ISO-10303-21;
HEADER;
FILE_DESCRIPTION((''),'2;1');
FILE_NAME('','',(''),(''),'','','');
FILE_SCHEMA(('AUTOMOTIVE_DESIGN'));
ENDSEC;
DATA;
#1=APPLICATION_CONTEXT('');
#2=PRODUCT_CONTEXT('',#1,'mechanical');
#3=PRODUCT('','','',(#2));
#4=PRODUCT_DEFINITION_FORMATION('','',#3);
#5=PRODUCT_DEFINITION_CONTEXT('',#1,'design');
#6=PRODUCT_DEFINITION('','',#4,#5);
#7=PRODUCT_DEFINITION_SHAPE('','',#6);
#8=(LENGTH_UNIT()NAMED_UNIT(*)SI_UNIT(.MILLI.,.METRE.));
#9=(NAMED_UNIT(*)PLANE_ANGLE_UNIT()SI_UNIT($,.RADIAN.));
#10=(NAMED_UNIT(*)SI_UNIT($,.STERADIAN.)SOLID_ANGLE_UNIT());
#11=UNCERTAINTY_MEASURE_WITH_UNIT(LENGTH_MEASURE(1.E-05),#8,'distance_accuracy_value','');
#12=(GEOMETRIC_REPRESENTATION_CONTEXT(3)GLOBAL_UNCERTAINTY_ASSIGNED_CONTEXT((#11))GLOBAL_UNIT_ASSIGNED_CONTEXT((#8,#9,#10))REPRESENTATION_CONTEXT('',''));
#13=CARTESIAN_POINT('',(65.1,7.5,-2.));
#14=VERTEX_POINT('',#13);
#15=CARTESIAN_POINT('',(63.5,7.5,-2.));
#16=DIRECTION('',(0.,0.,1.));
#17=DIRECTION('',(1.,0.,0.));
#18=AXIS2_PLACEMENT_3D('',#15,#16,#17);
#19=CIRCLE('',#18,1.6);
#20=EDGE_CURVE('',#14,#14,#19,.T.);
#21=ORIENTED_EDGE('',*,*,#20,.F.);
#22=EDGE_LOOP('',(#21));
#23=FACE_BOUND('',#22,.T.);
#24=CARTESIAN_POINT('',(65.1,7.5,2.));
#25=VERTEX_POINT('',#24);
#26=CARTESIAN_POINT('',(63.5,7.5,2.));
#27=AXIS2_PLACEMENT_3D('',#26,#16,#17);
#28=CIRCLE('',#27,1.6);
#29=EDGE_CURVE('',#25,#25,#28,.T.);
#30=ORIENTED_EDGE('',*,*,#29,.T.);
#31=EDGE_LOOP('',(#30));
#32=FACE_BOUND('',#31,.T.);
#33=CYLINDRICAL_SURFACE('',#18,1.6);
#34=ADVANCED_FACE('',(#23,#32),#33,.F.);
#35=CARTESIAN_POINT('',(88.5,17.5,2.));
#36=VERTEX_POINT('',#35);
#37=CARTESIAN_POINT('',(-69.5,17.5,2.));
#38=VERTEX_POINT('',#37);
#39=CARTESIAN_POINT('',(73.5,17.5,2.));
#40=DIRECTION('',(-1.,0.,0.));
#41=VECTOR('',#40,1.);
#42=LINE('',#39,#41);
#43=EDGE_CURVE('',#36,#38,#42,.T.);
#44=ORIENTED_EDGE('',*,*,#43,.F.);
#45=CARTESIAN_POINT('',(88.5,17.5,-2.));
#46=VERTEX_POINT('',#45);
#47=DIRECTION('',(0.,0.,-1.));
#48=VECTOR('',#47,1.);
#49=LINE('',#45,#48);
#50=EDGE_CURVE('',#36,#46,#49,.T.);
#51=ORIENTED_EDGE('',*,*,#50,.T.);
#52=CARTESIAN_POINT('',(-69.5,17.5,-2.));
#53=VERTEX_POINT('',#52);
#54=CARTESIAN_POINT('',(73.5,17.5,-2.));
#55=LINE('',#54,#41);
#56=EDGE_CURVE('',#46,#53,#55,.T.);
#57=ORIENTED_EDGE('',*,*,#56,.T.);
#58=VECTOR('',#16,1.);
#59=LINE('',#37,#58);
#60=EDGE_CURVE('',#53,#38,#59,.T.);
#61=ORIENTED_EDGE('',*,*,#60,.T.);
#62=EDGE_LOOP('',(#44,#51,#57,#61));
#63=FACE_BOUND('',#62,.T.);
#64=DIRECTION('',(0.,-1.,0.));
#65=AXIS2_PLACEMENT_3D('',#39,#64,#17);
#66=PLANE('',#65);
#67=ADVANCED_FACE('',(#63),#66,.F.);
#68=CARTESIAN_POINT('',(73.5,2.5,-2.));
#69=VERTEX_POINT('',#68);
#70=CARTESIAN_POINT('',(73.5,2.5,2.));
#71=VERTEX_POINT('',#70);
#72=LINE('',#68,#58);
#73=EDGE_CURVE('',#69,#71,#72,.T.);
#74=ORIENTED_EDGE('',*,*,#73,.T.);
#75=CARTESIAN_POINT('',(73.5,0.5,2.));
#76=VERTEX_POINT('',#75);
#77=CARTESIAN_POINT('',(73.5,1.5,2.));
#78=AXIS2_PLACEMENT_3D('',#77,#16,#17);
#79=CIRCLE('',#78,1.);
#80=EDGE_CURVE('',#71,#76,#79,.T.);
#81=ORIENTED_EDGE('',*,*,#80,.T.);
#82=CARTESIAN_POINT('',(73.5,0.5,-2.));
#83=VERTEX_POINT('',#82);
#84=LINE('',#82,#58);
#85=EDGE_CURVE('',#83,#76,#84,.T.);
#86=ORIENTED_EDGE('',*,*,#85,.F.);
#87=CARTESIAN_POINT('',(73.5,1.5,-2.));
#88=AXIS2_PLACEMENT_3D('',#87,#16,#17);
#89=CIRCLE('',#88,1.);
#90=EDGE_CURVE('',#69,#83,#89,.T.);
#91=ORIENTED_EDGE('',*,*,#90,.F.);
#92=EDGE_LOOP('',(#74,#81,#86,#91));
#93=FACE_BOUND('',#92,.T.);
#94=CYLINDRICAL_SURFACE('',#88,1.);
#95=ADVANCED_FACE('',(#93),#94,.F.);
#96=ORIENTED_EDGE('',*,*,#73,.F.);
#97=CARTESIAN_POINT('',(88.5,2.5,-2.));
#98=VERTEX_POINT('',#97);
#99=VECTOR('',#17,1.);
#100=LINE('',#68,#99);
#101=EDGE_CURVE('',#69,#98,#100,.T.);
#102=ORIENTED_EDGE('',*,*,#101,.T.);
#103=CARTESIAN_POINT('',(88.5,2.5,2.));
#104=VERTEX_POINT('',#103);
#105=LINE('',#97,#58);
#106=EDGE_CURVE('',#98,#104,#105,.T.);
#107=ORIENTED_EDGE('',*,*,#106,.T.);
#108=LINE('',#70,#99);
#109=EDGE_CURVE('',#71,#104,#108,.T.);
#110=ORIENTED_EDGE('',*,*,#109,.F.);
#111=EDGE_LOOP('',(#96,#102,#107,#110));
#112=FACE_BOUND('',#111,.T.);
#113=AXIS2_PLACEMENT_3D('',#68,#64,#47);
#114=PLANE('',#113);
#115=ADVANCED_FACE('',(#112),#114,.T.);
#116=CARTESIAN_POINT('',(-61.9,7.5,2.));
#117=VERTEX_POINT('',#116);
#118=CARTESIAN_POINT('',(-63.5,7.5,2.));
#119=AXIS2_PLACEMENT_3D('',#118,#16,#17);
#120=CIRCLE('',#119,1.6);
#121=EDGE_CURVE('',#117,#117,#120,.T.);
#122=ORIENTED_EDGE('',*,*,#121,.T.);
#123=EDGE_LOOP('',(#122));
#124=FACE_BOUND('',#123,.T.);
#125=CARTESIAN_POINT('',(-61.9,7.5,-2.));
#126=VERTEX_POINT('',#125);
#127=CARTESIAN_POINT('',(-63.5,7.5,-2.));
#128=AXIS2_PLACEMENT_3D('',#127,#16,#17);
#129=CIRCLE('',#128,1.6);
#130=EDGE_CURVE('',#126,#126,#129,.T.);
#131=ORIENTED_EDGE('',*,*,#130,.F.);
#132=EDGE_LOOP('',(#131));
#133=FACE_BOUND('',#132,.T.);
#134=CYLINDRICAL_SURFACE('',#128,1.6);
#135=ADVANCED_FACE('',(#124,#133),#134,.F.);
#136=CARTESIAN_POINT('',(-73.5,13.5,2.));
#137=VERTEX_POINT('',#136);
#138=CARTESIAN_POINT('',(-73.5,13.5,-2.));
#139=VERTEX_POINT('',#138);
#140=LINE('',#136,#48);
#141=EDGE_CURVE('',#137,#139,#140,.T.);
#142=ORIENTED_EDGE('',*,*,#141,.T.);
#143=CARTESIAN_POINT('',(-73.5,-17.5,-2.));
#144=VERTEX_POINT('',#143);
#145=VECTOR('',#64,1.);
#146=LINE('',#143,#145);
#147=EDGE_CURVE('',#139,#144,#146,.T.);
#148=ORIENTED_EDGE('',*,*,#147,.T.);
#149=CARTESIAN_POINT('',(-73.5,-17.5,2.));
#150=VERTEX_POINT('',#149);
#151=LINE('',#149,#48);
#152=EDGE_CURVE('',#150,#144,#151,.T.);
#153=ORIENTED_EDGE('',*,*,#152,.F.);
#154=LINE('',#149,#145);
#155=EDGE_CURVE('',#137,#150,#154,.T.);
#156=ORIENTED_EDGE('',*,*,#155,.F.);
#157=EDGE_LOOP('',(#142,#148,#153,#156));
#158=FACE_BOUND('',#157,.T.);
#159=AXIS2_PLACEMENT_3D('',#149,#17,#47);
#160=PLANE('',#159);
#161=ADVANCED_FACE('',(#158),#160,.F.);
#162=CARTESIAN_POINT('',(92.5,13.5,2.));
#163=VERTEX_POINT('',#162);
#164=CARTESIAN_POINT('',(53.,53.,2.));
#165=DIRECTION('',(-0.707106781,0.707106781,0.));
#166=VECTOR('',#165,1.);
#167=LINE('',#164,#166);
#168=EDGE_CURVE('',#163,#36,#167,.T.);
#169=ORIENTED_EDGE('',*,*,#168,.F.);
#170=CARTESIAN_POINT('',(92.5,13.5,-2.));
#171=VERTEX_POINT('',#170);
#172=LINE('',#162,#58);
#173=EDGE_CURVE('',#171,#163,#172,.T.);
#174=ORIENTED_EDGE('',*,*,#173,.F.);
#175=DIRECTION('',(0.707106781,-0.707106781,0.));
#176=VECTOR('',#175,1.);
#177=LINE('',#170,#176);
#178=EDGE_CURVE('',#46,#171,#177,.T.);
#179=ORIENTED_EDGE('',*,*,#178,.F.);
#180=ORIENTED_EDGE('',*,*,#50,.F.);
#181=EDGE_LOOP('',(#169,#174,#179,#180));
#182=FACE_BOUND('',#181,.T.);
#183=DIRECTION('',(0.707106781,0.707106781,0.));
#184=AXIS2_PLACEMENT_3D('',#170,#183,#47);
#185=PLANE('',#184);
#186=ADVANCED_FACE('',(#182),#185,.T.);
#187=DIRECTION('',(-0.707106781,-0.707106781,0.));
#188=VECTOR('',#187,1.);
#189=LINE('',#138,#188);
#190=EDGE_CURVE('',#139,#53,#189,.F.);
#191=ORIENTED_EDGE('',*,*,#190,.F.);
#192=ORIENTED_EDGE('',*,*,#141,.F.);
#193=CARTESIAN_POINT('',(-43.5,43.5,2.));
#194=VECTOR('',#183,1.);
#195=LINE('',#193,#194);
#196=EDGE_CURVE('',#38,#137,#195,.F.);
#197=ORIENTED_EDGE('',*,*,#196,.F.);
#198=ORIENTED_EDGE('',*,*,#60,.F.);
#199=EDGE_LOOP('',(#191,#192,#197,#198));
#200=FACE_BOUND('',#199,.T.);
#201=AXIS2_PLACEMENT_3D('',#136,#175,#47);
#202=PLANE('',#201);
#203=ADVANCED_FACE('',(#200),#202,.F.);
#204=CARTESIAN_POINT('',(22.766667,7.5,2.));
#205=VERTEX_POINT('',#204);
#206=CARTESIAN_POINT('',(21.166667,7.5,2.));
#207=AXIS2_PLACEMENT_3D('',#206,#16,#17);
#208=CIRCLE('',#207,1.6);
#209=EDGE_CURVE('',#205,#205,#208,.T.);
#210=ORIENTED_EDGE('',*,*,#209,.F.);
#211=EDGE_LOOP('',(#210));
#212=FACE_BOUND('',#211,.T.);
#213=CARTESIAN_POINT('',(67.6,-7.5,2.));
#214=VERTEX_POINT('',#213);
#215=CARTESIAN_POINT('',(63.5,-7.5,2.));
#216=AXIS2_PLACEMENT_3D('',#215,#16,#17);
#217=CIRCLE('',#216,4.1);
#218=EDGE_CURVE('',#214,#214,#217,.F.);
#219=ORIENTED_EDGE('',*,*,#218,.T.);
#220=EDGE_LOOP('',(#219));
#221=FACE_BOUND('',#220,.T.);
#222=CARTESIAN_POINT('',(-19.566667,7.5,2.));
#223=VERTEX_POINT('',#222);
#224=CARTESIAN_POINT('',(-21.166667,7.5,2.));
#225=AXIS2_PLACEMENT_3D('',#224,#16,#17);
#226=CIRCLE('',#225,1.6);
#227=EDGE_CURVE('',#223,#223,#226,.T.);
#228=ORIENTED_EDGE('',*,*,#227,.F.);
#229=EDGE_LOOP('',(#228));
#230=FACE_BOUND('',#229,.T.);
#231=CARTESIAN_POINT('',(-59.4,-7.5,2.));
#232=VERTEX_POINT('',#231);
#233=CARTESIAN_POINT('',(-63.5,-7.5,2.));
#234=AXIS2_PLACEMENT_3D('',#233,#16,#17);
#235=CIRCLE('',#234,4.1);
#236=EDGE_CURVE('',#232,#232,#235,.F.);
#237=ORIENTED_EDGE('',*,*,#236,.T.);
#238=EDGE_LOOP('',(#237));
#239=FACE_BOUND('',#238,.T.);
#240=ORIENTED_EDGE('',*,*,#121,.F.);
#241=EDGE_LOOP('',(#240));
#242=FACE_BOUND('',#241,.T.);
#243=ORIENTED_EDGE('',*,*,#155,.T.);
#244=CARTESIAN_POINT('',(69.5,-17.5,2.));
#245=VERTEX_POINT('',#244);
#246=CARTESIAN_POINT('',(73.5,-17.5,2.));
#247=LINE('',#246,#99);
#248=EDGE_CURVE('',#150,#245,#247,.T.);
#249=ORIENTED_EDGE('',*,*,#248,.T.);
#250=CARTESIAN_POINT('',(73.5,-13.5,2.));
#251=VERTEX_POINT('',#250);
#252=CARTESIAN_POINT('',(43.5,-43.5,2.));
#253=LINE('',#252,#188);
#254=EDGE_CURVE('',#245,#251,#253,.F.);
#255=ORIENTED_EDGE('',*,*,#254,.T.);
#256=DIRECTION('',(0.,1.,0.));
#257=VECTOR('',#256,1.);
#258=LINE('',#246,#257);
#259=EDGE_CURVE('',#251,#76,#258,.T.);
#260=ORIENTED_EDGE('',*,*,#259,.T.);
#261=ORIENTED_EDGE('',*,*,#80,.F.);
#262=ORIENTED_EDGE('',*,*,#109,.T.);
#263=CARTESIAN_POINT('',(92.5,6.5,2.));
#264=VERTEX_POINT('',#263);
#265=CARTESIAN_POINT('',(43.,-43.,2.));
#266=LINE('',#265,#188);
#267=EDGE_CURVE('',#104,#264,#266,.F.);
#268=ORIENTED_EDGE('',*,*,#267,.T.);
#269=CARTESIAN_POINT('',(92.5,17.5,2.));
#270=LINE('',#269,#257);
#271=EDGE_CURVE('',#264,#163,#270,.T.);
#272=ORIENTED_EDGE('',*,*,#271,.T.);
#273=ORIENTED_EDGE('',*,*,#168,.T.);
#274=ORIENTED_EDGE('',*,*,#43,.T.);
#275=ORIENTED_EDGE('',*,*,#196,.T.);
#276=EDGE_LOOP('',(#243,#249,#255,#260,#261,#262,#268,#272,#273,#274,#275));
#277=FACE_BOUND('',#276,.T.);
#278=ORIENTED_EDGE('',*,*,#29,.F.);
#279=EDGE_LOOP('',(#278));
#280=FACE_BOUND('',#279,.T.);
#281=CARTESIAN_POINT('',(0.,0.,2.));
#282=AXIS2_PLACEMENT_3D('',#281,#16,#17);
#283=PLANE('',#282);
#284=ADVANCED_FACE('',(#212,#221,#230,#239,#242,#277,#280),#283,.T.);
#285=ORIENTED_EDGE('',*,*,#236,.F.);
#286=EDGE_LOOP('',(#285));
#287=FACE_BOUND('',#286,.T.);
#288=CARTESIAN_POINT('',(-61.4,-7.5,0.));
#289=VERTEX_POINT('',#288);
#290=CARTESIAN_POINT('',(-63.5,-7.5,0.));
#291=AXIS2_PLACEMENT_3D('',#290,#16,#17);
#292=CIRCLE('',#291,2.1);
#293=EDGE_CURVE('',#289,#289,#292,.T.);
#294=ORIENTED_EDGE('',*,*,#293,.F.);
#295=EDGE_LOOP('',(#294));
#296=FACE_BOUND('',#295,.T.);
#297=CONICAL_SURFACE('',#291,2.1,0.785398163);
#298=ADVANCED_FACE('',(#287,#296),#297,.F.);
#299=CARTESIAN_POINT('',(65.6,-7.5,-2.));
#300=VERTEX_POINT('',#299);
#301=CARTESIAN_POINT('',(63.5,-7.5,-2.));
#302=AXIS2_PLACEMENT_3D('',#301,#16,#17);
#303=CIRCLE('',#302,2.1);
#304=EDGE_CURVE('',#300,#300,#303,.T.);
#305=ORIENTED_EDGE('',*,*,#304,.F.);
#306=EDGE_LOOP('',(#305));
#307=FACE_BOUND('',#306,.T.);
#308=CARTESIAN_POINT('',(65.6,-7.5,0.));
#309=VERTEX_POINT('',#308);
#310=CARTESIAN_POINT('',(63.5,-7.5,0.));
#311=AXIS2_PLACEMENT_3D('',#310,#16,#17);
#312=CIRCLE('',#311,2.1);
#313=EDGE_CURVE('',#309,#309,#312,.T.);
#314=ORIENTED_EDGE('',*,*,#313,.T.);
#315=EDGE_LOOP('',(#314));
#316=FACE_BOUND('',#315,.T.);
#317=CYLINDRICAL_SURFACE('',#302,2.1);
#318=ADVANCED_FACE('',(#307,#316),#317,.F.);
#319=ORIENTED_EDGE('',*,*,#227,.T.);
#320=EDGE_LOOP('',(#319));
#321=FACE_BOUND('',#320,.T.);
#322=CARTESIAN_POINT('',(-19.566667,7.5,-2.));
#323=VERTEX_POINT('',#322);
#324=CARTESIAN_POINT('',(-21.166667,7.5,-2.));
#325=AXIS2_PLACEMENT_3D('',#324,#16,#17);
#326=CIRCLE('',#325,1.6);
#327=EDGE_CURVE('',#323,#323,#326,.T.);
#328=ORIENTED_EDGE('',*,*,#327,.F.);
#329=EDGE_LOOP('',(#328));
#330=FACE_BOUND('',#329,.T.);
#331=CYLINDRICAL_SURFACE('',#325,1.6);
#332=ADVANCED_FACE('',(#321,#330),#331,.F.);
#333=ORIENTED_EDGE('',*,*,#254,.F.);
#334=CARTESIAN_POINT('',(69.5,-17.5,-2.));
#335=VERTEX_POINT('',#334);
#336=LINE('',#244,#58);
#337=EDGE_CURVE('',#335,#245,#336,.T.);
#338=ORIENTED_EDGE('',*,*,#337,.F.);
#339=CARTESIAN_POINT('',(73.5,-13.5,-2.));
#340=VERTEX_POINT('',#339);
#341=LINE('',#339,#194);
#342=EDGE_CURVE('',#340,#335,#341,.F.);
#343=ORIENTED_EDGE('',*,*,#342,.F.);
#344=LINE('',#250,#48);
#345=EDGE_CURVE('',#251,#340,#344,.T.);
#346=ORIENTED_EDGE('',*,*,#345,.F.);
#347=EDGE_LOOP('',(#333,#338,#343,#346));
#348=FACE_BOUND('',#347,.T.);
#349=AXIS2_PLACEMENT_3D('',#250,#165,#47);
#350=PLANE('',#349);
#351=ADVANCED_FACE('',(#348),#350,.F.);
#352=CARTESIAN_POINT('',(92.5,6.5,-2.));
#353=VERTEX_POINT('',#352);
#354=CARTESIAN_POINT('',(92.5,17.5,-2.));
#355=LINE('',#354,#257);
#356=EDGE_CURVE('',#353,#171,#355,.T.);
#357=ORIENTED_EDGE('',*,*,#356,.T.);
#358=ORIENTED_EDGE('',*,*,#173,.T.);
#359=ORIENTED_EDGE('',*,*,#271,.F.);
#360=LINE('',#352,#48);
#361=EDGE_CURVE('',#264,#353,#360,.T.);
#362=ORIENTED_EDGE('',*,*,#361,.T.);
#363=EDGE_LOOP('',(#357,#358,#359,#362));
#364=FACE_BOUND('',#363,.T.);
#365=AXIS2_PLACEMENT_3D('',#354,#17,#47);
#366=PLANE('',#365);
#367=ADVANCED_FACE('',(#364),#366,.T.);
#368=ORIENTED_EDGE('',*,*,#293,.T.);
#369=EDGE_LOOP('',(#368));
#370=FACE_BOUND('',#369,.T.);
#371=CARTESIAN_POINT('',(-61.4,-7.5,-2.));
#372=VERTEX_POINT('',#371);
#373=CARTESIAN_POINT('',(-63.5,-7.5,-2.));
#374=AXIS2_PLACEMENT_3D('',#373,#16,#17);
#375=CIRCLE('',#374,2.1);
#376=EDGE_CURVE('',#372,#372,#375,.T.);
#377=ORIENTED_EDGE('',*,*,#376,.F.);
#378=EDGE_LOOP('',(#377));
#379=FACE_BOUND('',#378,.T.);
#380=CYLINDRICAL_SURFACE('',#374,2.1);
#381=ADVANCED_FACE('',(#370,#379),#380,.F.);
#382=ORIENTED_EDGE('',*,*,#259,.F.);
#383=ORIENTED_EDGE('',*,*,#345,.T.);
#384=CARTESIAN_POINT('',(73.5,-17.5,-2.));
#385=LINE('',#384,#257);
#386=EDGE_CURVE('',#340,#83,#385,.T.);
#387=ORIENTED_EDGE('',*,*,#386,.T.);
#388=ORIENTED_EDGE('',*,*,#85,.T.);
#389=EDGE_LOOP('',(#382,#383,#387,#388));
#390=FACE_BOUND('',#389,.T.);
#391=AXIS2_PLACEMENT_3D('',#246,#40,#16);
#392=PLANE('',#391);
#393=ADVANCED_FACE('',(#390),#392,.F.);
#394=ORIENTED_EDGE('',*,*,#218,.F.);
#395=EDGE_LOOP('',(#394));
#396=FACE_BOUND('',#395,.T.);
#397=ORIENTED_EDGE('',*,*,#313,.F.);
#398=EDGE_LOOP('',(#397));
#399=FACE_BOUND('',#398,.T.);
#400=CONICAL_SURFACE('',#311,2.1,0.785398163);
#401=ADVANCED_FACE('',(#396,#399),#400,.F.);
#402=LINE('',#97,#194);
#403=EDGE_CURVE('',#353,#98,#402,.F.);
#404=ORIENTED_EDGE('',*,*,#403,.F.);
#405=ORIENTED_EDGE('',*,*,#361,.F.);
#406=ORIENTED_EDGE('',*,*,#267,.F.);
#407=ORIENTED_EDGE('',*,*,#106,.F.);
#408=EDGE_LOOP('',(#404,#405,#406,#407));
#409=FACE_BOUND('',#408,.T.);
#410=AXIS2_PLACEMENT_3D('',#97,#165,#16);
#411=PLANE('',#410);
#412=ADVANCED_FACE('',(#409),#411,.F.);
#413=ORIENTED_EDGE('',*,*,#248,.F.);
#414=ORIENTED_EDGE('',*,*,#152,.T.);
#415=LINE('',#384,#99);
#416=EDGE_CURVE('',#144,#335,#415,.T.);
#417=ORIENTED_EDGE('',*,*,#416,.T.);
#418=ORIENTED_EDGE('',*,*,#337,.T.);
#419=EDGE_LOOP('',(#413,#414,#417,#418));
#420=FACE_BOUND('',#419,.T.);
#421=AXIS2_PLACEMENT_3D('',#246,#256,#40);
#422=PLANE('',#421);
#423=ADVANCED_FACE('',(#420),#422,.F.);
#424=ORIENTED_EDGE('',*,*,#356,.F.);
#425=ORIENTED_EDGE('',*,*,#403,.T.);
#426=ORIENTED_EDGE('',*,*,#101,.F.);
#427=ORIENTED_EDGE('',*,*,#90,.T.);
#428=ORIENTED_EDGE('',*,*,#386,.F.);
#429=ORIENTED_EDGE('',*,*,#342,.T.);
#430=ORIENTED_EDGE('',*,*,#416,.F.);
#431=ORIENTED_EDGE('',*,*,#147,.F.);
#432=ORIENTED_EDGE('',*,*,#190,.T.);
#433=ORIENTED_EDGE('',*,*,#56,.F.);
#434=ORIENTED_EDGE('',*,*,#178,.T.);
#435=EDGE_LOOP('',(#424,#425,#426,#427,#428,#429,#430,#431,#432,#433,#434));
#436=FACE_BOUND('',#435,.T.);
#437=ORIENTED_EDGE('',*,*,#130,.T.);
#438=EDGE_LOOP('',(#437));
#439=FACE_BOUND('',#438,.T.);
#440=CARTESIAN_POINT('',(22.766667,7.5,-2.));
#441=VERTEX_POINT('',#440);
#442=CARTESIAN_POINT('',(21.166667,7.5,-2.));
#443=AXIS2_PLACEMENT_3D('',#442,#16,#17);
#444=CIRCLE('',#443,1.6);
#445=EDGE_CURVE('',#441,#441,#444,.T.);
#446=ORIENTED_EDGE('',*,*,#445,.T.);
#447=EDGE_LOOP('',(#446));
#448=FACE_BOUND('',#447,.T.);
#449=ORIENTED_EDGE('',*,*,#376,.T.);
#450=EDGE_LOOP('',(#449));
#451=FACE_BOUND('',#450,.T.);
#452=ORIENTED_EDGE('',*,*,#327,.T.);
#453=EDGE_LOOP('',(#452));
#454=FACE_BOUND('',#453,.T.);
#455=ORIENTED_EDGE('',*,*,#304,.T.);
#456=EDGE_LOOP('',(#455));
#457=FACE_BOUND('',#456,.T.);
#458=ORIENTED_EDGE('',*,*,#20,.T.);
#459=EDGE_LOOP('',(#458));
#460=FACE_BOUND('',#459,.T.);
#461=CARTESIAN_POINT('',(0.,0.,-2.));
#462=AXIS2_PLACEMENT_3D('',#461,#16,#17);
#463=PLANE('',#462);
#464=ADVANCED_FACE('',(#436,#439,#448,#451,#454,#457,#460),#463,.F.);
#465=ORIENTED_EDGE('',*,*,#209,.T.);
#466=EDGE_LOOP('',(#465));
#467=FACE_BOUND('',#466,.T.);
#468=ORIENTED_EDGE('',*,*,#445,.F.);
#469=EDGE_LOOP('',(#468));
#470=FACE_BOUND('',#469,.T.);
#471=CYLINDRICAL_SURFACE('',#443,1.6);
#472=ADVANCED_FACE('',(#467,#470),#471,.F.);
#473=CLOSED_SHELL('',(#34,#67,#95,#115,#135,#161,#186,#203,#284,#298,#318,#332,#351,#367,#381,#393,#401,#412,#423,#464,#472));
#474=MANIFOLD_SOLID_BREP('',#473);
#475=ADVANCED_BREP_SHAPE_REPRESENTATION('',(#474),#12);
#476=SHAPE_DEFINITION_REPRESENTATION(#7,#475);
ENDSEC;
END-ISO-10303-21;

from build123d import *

# Parameters (mm, degrees)
SKETCH_1_W          = 147
SKETCH_1_H          = 35
EXTRUDE_1_DEPTH     = 2
SKETCH_2_W          = 19
SKETCH_2_H          = 15
EXTRUDE_2_DEPTH     = 4
SKETCH_3_R          = 2.1
CUT_EXTRUDE_1_DEPTH = 95.225792647
CHAMFER_1_SIZE      = 4
SKETCH_4_R          = 1
CUT_EXTRUDE_2_DEPTH = 95.225792647
SKETCH_5_R          = 1.6
CUT_EXTRUDE_3_DEPTH = 95.225792647
CHAMFER_2_SIZE      = 2


with BuildPart() as part:
    # 草图1 → 凸台-拉伸1 (new, symmetric)
    with BuildSketch(Plane.XY):
        Rectangle(SKETCH_1_W, SKETCH_1_H)
    extrude(amount=EXTRUDE_1_DEPTH, both=True)

    # 草图2 → 凸台-拉伸2 (add)
    with BuildSketch(Plane.XY.offset(2)):
        with Locations((83, 10)):
            Rectangle(SKETCH_2_W, SKETCH_2_H)
    extrude(amount=-EXTRUDE_2_DEPTH)

    # 草图3 → 切除-拉伸1 (cut, through all)
    with BuildSketch(Plane.XY.offset(2)):
        with Locations((-63.5, -7.5)):
            Circle(SKETCH_3_R)
        with Locations((63.5, -7.5)):
            Circle(SKETCH_3_R)
    extrude(amount=-CUT_EXTRUDE_1_DEPTH, mode=Mode.SUBTRACT)

    # 倒角1
    chamfer_1_edges = [part.edges().sort_by_distance(p)[0] for p in [
        (92.5, 17.5, 0),
        (92.5, 2.5, 0),
        (-73.5, 17.5, 0),
        (73.5, -17.5, 0),
    ]]
    chamfer(chamfer_1_edges, length=CHAMFER_1_SIZE)

    # 草图4 → 切除-拉伸2 (cut, through all)
    with BuildSketch(Plane.XY.offset(2)):
        with Locations((73.5, 1.5)):
            Circle(SKETCH_4_R)
    extrude(amount=-CUT_EXTRUDE_2_DEPTH, mode=Mode.SUBTRACT)

    # 草图5 → 切除-拉伸3 (cut, through all)
    with BuildSketch(Plane.XY.offset(2)):
        with Locations((-63.5, 7.5)):
            Circle(SKETCH_5_R)
        with Locations((-21.166666667, 7.5)):
            Circle(SKETCH_5_R)
        with Locations((21.166666667, 7.5)):
            Circle(SKETCH_5_R)
        with Locations((63.5, 7.5)):
            Circle(SKETCH_5_R)
    extrude(amount=-CUT_EXTRUDE_3_DEPTH, mode=Mode.SUBTRACT)

    # 倒角2
    chamfer_2_edges = [part.edges().sort_by_distance(p)[0] for p in [
        (-65.6, -7.5, 2),
        (61.4, -7.5, 2),
    ]]
    chamfer(chamfer_2_edges, length=CHAMFER_2_SIZE)


solid = part.part
